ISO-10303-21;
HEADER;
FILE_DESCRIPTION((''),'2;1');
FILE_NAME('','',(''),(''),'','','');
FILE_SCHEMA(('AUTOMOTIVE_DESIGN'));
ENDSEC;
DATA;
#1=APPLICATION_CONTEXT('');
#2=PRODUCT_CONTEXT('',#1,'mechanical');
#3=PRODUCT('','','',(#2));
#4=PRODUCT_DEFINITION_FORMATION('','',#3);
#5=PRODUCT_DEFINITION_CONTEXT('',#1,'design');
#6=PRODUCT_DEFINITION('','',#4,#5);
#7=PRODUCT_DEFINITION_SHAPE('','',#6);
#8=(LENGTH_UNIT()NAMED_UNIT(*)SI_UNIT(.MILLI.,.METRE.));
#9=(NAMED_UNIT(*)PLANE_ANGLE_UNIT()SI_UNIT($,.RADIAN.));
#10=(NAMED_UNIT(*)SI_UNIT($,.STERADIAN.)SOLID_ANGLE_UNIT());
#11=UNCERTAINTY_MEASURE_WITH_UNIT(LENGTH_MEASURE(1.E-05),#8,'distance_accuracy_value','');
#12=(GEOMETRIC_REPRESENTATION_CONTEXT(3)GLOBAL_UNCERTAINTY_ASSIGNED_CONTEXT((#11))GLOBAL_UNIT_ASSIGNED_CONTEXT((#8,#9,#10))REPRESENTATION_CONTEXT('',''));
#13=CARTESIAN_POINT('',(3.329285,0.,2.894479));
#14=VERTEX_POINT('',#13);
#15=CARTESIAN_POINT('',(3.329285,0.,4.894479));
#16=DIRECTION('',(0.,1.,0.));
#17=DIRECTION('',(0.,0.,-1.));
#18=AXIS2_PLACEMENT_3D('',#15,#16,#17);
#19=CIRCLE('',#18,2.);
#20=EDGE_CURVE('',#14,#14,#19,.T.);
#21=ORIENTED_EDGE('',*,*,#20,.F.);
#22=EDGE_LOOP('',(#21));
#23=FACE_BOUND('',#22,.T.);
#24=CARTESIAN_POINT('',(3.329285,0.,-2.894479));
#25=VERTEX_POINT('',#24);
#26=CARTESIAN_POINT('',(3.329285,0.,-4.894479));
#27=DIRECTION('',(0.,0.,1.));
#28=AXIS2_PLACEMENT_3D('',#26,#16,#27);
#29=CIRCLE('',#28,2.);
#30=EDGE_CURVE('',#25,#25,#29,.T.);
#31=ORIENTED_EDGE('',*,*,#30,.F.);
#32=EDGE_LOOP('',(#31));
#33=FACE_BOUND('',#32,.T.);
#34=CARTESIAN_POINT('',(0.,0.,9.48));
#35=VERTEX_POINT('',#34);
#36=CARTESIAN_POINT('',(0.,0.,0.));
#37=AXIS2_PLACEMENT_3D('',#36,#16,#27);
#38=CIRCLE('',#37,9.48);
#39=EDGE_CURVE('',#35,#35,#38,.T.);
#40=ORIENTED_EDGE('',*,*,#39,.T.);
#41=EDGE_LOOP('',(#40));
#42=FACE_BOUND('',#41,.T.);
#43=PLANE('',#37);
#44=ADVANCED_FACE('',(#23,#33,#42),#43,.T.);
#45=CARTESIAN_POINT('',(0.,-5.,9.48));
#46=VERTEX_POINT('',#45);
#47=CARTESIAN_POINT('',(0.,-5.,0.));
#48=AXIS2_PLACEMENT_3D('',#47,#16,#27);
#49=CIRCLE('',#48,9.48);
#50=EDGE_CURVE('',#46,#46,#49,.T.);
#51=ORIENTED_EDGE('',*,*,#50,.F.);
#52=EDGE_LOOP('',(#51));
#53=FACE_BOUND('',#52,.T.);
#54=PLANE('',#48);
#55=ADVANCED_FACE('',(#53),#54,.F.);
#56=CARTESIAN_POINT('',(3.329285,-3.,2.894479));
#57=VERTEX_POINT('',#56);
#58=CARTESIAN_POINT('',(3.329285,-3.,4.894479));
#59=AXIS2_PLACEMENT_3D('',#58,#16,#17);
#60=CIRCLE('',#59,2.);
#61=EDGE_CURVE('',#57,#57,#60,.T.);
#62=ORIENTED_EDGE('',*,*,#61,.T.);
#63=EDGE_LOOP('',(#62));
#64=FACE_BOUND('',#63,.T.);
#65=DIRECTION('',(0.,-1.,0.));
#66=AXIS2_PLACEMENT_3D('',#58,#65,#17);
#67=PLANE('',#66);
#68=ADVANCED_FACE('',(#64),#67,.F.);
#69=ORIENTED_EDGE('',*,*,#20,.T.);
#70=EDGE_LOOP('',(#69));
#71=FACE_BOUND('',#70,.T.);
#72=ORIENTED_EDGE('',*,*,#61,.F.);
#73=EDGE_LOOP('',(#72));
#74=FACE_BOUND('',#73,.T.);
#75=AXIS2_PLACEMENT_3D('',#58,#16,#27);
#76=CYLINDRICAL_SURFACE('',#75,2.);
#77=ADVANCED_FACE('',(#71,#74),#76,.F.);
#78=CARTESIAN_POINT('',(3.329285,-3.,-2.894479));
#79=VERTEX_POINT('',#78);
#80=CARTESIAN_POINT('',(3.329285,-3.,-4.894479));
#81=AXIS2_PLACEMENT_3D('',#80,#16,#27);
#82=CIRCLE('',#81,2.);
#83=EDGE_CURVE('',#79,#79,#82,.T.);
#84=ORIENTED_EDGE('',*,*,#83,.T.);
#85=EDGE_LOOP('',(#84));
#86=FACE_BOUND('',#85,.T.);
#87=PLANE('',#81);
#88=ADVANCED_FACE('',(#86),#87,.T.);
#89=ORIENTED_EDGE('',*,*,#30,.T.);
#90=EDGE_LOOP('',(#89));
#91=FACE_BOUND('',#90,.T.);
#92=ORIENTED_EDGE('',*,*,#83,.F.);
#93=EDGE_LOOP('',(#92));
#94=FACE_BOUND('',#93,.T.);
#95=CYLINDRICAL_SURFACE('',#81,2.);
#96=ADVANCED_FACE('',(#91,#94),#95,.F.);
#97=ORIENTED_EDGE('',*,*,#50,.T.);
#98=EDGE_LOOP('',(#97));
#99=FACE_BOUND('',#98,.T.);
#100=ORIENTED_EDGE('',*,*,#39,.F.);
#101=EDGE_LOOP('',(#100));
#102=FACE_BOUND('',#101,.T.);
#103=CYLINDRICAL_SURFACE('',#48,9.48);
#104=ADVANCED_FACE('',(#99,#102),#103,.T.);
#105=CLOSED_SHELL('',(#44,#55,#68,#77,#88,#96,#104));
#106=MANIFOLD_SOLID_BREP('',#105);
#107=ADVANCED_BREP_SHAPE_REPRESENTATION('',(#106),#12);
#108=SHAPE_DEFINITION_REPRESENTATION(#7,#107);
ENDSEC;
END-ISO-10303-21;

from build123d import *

# Parameters (mm, degrees)
SKETCH1_R           = 9.48
BOSS_EXTRUDE1_DEPTH = 5
SKETCH2_R           = 2
CUT_EXTRUDE1_DEPTH  = 3


with BuildPart() as part:
    # Sketch1 → Boss-Extrude1 (new body)
    with BuildSketch(Plane(origin=(0, 0, 0), x_dir=(1, 0, 0), z_dir=(0, 1, 0))):
        with Locations(Location((0, 0, 0), (0, 0, 270))):
            Circle(SKETCH1_R)
    extrude(amount=-BOSS_EXTRUDE1_DEPTH)

    # Sketch2 → Cut-Extrude1 (cut)
    with BuildSketch(Plane(origin=(0, 0, 0), x_dir=(1, 0, 0), z_dir=(0, 1, 0))):
        with Locations(Location((3.329285114, 4.894478506, 0), (0, 0, 270))):
            Circle(SKETCH2_R)
        with Locations(Location((3.329285114, -4.894478506, 0), (0, 0, 90))):
            Circle(SKETCH2_R)
    extrude(amount=-CUT_EXTRUDE1_DEPTH, mode=Mode.SUBTRACT)


solid = part.part
